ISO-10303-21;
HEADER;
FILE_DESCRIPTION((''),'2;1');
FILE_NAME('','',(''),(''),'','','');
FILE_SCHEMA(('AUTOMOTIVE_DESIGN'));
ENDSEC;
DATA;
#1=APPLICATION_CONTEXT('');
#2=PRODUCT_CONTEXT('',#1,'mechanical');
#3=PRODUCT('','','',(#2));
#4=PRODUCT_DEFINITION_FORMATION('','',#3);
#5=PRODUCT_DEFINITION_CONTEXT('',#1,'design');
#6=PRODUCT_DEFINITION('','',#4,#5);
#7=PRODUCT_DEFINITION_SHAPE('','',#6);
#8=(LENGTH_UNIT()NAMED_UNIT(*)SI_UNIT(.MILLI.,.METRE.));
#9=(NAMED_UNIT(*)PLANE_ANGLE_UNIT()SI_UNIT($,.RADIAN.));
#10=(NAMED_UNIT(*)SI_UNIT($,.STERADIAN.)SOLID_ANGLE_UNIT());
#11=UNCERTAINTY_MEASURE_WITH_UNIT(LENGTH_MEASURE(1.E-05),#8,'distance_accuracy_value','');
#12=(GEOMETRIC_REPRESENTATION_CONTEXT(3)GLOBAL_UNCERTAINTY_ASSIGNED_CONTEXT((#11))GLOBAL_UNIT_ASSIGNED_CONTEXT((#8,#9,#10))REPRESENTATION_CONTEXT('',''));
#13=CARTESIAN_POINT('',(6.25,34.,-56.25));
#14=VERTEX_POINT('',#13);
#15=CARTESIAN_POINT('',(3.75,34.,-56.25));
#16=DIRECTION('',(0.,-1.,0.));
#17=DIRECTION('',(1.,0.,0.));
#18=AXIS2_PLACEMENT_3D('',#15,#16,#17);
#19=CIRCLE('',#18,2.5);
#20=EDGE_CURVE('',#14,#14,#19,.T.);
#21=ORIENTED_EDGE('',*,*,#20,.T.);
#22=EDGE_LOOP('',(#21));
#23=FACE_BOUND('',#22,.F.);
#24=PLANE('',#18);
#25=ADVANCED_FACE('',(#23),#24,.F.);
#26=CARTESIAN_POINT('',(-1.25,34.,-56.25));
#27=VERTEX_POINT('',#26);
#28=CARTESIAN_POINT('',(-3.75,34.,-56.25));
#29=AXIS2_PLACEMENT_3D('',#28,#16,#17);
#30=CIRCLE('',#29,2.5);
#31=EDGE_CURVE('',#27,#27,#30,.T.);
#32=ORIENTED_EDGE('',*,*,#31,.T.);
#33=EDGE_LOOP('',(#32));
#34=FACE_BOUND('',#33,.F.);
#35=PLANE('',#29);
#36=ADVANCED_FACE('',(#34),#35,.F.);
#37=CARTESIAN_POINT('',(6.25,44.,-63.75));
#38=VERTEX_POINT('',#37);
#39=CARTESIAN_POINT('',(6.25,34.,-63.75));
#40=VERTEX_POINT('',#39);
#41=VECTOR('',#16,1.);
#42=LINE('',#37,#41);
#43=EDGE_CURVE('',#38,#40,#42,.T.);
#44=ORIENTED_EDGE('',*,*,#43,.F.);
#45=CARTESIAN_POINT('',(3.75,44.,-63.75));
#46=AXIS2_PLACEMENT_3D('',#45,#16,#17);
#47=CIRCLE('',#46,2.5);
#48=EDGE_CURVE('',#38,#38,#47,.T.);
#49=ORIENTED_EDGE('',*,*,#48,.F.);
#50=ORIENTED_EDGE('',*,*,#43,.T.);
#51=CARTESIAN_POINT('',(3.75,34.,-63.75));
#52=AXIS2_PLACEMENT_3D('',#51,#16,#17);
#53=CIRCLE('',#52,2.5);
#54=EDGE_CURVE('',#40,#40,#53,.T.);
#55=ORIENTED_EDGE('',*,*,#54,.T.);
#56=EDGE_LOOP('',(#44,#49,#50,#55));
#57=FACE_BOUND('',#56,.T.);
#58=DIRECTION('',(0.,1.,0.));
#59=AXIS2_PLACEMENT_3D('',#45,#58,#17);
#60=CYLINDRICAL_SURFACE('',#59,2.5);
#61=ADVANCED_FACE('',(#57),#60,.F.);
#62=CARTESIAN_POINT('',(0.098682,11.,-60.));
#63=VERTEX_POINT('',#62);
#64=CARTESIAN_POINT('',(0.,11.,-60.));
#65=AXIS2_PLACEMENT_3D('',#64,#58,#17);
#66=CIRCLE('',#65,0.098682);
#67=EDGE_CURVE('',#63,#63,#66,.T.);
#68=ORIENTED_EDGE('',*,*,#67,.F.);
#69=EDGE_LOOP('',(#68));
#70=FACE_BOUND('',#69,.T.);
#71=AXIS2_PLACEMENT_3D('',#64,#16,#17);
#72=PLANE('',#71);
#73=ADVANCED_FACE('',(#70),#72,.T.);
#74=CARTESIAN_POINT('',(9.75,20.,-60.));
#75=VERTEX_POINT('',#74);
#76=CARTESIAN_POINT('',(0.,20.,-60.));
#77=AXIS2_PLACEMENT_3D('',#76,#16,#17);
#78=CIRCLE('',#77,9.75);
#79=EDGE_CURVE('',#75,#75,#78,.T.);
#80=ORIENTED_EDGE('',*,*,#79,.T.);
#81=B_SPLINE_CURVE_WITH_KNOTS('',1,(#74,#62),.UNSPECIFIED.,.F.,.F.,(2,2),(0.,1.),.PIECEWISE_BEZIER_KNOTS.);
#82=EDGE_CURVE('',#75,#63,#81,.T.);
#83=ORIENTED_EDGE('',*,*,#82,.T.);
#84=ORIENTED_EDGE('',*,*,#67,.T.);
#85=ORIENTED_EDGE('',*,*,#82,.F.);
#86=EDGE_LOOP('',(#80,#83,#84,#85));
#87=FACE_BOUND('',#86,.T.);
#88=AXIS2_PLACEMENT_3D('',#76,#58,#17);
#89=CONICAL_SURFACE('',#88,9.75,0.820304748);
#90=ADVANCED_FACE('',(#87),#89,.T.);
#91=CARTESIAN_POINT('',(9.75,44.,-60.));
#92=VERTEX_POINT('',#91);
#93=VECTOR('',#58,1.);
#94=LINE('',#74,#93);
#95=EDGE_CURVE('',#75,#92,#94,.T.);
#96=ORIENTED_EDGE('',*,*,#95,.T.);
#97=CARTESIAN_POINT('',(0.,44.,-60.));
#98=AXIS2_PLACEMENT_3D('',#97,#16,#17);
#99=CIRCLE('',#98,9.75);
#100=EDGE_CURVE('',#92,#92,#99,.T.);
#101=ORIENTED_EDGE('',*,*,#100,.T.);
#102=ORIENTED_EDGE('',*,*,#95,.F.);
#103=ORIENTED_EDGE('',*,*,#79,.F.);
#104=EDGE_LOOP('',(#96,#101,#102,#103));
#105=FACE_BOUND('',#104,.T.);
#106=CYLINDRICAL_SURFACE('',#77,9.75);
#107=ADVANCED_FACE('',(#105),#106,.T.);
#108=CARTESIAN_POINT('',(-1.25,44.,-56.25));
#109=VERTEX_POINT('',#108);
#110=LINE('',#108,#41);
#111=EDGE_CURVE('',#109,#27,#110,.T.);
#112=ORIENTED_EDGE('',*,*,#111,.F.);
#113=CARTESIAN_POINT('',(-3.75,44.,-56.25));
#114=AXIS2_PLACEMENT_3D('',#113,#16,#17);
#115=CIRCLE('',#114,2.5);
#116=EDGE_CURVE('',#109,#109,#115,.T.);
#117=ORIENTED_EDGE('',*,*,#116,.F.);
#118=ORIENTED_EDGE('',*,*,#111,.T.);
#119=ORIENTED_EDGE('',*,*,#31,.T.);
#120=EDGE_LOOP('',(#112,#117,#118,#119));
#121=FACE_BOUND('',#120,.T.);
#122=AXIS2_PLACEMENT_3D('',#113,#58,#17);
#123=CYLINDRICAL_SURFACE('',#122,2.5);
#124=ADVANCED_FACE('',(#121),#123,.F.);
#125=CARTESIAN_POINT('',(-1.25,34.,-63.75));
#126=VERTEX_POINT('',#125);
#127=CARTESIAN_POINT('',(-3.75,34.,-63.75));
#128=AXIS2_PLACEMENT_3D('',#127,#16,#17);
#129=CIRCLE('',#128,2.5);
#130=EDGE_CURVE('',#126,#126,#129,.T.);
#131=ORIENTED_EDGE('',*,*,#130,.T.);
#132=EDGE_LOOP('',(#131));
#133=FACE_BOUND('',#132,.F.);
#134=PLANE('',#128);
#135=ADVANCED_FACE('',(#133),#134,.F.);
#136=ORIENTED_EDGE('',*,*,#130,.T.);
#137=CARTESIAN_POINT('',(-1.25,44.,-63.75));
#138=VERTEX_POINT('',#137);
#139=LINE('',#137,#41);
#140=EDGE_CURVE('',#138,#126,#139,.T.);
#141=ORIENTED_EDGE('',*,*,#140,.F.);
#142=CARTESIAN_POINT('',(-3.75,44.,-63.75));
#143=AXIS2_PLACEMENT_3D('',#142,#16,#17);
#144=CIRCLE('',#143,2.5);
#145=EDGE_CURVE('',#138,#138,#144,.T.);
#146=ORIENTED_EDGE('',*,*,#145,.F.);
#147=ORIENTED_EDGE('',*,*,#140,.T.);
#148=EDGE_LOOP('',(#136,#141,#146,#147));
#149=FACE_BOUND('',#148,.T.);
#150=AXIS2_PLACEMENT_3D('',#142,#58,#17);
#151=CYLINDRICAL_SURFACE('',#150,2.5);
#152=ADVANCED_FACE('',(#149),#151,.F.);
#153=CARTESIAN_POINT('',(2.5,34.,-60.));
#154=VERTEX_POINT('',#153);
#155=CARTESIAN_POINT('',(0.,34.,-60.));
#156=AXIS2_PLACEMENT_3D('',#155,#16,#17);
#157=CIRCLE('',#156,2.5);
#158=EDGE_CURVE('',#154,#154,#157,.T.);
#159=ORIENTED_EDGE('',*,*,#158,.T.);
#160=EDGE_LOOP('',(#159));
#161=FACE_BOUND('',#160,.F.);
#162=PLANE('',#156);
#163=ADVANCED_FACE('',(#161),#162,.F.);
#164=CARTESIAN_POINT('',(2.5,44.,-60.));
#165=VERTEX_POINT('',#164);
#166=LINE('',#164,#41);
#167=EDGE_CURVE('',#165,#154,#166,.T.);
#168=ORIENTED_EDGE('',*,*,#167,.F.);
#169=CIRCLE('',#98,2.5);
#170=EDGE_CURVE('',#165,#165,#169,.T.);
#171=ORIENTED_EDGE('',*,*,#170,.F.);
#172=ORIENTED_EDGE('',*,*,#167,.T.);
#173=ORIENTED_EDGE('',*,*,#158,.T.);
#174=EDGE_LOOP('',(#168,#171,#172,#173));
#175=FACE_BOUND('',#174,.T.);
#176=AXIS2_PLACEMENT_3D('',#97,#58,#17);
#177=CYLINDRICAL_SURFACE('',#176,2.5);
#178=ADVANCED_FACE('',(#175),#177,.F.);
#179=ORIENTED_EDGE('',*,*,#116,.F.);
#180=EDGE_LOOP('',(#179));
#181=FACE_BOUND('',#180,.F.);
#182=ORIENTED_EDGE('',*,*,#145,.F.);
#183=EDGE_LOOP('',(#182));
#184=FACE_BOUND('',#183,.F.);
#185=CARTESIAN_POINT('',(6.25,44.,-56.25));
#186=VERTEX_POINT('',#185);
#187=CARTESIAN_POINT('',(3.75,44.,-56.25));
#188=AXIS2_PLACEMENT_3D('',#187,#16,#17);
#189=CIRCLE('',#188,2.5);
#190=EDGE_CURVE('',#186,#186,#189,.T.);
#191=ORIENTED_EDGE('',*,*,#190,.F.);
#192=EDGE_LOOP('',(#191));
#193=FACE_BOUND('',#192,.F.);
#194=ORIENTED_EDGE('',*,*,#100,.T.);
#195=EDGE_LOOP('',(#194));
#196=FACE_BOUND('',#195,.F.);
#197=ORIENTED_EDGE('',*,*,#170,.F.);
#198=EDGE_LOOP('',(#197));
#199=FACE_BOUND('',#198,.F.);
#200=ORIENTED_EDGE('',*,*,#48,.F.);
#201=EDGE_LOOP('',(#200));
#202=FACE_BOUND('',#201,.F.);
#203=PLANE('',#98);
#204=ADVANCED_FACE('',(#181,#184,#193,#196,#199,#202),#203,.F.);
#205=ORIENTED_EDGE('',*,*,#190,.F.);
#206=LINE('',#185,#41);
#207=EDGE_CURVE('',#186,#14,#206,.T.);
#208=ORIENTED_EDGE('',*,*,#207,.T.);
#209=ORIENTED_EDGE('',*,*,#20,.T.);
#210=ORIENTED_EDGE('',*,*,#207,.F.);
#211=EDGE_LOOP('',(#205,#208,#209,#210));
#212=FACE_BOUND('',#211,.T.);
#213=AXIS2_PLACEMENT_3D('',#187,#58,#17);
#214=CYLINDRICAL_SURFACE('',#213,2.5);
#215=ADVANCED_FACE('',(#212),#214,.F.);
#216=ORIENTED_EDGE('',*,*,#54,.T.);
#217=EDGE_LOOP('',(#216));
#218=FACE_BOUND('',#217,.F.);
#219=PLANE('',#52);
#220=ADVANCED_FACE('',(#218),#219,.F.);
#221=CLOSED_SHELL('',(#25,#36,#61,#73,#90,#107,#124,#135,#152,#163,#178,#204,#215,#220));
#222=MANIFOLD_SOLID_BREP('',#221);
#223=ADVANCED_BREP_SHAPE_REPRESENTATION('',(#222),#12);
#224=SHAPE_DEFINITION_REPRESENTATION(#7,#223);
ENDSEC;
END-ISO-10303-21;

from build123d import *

# Parameters (mm, degrees)
SKETCH033_R     = 9.75
PAD021_DEPTH    = 9
PAD021_TAPER    = 47
SKETCH034_R     = 9.75
PAD022_DEPTH    = 24
SKETCH035_R     = 2.5
POCKET008_DEPTH = 10


with BuildPart() as part:
    # Sketch033 → Pad021 (new body)
    with BuildSketch(Plane.XZ.offset(-20)):
        with Locations((0, -60)):
            Circle(SKETCH033_R)
    extrude(amount=PAD021_DEPTH, taper=PAD021_TAPER)

    # Sketch034 → Pad022 (join)
    with BuildSketch(Plane.XZ.offset(-20)):
        with Locations((0, -60)):
            Circle(SKETCH034_R)
    extrude(amount=-PAD022_DEPTH)

    # Sketch035 → Pocket008 (cut)
    with BuildSketch(Plane.XZ.offset(-44)):
        with Locations((-3.75, -56.25)):
            Circle(SKETCH035_R)
        with Locations((3.75, -56.25)):
            Circle(SKETCH035_R)
        with Locations((3.75, -63.75)):
            Circle(SKETCH035_R)
        with Locations((-3.75, -63.75)):
            Circle(SKETCH035_R)
        with Locations((0, -60)):
            Circle(SKETCH035_R)
    extrude(amount=POCKET008_DEPTH, mode=Mode.SUBTRACT)


solid = part.part
